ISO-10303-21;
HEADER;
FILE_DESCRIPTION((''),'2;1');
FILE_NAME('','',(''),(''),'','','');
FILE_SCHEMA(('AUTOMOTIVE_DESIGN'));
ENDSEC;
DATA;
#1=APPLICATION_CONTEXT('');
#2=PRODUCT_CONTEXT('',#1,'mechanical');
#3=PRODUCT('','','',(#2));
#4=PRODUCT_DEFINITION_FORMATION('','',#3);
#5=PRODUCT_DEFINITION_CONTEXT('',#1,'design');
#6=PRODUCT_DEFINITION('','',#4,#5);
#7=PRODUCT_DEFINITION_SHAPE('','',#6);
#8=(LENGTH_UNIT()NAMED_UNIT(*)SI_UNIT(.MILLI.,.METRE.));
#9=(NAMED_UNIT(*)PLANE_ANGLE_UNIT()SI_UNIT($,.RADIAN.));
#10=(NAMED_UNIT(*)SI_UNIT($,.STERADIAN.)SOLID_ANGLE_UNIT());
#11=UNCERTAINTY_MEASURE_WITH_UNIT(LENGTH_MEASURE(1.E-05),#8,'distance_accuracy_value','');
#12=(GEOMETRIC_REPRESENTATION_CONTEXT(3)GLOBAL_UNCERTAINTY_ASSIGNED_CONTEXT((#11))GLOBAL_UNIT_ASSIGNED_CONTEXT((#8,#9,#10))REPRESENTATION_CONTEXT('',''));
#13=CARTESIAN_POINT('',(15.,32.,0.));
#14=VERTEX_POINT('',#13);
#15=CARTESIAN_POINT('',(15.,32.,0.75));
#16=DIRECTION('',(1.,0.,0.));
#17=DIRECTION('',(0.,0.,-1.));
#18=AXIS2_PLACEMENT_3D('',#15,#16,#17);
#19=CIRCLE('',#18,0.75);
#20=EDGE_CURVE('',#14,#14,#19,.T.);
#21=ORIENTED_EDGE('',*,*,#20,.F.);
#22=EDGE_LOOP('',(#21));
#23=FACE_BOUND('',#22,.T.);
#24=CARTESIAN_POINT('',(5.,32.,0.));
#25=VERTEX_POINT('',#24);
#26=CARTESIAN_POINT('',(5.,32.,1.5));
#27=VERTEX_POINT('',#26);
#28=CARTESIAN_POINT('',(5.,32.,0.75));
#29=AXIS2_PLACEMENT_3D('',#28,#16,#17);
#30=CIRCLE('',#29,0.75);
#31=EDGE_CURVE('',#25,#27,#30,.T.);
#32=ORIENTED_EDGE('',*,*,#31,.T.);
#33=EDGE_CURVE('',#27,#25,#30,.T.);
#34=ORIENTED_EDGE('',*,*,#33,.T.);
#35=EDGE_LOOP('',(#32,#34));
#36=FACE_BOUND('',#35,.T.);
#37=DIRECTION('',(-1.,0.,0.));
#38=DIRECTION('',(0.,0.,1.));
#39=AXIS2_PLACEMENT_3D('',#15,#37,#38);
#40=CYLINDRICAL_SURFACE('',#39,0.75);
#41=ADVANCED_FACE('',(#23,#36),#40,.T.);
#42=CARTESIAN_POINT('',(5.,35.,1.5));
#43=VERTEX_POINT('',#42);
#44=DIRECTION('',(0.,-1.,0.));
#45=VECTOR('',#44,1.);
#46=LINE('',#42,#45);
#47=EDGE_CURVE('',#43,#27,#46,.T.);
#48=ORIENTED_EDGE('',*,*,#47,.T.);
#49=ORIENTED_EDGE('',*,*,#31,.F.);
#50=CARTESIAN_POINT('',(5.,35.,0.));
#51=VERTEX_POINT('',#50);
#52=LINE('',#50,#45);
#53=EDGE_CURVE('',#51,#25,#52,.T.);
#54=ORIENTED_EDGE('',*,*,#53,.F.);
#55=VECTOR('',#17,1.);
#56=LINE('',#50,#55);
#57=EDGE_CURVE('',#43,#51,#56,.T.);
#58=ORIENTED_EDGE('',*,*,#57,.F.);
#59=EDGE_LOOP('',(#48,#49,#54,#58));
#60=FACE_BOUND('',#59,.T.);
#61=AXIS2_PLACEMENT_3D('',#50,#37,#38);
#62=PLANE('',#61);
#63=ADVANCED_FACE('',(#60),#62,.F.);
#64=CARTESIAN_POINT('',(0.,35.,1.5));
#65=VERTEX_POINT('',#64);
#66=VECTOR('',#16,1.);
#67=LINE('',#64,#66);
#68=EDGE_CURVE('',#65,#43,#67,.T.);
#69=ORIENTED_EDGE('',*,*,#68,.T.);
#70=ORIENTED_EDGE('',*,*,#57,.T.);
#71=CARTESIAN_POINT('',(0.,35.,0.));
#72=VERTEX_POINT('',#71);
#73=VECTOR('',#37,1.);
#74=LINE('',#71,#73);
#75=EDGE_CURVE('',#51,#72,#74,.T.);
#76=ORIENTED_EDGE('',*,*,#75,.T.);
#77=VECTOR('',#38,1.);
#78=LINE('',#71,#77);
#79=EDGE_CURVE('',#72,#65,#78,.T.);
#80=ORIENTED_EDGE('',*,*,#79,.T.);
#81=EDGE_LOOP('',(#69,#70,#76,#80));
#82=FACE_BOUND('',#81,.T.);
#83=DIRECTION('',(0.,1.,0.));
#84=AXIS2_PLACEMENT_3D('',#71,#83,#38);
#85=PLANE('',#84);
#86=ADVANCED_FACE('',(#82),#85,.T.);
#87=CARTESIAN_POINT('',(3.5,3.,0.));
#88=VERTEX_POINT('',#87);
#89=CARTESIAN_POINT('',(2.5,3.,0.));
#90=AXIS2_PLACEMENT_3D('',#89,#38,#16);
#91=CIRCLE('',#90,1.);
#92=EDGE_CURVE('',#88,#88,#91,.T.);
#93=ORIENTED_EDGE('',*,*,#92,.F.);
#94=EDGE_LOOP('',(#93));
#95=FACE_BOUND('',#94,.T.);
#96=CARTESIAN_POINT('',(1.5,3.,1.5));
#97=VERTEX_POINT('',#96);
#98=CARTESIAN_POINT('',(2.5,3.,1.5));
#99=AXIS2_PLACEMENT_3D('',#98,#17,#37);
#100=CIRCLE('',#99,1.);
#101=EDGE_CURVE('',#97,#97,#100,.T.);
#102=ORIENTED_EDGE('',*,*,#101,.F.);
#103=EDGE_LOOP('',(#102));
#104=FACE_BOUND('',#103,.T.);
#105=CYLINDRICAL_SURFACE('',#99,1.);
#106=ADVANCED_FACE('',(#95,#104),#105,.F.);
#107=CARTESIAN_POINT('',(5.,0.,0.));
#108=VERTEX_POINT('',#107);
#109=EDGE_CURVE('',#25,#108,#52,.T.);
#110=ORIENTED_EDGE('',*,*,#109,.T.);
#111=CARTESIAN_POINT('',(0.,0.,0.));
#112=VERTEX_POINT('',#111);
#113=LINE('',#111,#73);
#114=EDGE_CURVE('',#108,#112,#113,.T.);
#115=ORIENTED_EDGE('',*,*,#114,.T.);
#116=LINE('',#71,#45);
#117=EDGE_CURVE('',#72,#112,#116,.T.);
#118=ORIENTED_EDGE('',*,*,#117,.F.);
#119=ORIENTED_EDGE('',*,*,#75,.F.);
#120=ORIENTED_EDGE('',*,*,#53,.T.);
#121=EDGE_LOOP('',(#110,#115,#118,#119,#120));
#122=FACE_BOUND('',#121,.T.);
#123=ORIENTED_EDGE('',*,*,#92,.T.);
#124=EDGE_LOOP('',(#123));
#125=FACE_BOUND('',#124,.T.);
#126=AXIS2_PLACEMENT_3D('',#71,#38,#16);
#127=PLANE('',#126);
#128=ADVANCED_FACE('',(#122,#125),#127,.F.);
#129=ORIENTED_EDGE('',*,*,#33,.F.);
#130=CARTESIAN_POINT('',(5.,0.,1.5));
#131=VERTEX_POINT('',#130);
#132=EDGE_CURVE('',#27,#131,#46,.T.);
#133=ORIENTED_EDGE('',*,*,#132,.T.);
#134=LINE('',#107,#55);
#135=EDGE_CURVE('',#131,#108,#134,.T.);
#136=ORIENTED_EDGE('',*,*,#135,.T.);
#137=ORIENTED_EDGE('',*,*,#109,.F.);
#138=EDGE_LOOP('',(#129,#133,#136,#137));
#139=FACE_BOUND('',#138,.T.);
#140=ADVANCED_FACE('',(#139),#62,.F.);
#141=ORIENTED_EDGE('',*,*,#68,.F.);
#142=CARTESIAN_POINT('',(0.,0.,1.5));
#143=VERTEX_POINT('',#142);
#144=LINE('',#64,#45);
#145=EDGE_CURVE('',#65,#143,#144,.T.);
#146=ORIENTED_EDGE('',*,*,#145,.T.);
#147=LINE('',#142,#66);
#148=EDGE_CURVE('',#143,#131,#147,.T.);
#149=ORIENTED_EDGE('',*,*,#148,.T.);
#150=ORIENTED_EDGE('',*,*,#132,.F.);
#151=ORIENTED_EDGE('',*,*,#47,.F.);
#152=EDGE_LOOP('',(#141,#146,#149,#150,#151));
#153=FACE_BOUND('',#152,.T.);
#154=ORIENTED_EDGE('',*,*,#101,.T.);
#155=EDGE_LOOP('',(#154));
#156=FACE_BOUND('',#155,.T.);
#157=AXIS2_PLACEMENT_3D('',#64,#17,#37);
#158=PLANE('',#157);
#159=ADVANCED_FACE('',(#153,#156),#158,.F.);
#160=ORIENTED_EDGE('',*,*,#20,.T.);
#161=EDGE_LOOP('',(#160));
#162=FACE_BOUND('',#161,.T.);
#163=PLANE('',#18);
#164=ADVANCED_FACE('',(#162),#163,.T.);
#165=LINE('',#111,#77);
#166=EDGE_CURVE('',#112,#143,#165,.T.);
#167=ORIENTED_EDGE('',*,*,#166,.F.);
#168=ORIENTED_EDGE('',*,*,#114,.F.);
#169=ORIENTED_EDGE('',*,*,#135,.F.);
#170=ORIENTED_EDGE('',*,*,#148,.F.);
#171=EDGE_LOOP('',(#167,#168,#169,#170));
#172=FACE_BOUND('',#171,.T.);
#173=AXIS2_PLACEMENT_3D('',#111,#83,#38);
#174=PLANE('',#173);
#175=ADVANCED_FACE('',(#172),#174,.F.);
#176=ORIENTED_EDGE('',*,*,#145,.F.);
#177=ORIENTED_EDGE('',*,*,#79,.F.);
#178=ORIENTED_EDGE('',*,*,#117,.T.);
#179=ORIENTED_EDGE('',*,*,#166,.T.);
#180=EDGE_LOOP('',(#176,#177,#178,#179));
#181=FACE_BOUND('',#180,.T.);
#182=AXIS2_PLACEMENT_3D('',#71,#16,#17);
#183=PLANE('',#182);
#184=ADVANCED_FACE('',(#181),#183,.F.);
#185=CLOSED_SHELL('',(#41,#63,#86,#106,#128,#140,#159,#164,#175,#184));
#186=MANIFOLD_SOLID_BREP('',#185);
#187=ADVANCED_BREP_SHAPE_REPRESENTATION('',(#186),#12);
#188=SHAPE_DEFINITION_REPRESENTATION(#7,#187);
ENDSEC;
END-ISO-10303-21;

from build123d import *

# Parameters (mm, degrees)
SKETCH1_W               = 5
SKETCH1_H               = 1.5
BOSS_EXTRUDE1_DEPTH     = 35
SKETCH2_R               = 1
CUT_EXTRUDE1_DEPTH      = 1
CUT_EXTRUDE1_DEPTH_BACK = 2.5
SKETCH3_R               = 0.75
BOSS_EXTRUDE2_DEPTH     = 10


with BuildPart() as part:
    # Sketch1 → Boss-Extrude1 (new body)
    with BuildSketch(Plane(origin=(0, 0, 0), x_dir=(1, 0, 0), z_dir=(0, 1, 0))):
        with Locations((2.5, -0.75)):
            Rectangle(SKETCH1_W, SKETCH1_H)
    extrude(amount=BOSS_EXTRUDE1_DEPTH)

    # Sketch2 → Cut-Extrude1 (cut, two sides)
    with BuildSketch(Plane(origin=(0, 0, 0), x_dir=(-1, 0, 0), z_dir=(0, 0, -1))) as cut_extrude1_sk:
        with Locations((-2.5, 3)):
            Circle(SKETCH2_R)
    extrude(amount=CUT_EXTRUDE1_DEPTH, mode=Mode.SUBTRACT)
    extrude(cut_extrude1_sk.sketch, amount=-CUT_EXTRUDE1_DEPTH_BACK, mode=Mode.SUBTRACT)

    # Sketch3 → Boss-Extrude2 (add)
    with BuildSketch(Plane(origin=(5, 0, 0), x_dir=(0, 0, -1), z_dir=(1, 0, 0))):
        with Locations((-0.75, 32)):
            Circle(SKETCH3_R)
    extrude(amount=BOSS_EXTRUDE2_DEPTH)


solid = part.part
